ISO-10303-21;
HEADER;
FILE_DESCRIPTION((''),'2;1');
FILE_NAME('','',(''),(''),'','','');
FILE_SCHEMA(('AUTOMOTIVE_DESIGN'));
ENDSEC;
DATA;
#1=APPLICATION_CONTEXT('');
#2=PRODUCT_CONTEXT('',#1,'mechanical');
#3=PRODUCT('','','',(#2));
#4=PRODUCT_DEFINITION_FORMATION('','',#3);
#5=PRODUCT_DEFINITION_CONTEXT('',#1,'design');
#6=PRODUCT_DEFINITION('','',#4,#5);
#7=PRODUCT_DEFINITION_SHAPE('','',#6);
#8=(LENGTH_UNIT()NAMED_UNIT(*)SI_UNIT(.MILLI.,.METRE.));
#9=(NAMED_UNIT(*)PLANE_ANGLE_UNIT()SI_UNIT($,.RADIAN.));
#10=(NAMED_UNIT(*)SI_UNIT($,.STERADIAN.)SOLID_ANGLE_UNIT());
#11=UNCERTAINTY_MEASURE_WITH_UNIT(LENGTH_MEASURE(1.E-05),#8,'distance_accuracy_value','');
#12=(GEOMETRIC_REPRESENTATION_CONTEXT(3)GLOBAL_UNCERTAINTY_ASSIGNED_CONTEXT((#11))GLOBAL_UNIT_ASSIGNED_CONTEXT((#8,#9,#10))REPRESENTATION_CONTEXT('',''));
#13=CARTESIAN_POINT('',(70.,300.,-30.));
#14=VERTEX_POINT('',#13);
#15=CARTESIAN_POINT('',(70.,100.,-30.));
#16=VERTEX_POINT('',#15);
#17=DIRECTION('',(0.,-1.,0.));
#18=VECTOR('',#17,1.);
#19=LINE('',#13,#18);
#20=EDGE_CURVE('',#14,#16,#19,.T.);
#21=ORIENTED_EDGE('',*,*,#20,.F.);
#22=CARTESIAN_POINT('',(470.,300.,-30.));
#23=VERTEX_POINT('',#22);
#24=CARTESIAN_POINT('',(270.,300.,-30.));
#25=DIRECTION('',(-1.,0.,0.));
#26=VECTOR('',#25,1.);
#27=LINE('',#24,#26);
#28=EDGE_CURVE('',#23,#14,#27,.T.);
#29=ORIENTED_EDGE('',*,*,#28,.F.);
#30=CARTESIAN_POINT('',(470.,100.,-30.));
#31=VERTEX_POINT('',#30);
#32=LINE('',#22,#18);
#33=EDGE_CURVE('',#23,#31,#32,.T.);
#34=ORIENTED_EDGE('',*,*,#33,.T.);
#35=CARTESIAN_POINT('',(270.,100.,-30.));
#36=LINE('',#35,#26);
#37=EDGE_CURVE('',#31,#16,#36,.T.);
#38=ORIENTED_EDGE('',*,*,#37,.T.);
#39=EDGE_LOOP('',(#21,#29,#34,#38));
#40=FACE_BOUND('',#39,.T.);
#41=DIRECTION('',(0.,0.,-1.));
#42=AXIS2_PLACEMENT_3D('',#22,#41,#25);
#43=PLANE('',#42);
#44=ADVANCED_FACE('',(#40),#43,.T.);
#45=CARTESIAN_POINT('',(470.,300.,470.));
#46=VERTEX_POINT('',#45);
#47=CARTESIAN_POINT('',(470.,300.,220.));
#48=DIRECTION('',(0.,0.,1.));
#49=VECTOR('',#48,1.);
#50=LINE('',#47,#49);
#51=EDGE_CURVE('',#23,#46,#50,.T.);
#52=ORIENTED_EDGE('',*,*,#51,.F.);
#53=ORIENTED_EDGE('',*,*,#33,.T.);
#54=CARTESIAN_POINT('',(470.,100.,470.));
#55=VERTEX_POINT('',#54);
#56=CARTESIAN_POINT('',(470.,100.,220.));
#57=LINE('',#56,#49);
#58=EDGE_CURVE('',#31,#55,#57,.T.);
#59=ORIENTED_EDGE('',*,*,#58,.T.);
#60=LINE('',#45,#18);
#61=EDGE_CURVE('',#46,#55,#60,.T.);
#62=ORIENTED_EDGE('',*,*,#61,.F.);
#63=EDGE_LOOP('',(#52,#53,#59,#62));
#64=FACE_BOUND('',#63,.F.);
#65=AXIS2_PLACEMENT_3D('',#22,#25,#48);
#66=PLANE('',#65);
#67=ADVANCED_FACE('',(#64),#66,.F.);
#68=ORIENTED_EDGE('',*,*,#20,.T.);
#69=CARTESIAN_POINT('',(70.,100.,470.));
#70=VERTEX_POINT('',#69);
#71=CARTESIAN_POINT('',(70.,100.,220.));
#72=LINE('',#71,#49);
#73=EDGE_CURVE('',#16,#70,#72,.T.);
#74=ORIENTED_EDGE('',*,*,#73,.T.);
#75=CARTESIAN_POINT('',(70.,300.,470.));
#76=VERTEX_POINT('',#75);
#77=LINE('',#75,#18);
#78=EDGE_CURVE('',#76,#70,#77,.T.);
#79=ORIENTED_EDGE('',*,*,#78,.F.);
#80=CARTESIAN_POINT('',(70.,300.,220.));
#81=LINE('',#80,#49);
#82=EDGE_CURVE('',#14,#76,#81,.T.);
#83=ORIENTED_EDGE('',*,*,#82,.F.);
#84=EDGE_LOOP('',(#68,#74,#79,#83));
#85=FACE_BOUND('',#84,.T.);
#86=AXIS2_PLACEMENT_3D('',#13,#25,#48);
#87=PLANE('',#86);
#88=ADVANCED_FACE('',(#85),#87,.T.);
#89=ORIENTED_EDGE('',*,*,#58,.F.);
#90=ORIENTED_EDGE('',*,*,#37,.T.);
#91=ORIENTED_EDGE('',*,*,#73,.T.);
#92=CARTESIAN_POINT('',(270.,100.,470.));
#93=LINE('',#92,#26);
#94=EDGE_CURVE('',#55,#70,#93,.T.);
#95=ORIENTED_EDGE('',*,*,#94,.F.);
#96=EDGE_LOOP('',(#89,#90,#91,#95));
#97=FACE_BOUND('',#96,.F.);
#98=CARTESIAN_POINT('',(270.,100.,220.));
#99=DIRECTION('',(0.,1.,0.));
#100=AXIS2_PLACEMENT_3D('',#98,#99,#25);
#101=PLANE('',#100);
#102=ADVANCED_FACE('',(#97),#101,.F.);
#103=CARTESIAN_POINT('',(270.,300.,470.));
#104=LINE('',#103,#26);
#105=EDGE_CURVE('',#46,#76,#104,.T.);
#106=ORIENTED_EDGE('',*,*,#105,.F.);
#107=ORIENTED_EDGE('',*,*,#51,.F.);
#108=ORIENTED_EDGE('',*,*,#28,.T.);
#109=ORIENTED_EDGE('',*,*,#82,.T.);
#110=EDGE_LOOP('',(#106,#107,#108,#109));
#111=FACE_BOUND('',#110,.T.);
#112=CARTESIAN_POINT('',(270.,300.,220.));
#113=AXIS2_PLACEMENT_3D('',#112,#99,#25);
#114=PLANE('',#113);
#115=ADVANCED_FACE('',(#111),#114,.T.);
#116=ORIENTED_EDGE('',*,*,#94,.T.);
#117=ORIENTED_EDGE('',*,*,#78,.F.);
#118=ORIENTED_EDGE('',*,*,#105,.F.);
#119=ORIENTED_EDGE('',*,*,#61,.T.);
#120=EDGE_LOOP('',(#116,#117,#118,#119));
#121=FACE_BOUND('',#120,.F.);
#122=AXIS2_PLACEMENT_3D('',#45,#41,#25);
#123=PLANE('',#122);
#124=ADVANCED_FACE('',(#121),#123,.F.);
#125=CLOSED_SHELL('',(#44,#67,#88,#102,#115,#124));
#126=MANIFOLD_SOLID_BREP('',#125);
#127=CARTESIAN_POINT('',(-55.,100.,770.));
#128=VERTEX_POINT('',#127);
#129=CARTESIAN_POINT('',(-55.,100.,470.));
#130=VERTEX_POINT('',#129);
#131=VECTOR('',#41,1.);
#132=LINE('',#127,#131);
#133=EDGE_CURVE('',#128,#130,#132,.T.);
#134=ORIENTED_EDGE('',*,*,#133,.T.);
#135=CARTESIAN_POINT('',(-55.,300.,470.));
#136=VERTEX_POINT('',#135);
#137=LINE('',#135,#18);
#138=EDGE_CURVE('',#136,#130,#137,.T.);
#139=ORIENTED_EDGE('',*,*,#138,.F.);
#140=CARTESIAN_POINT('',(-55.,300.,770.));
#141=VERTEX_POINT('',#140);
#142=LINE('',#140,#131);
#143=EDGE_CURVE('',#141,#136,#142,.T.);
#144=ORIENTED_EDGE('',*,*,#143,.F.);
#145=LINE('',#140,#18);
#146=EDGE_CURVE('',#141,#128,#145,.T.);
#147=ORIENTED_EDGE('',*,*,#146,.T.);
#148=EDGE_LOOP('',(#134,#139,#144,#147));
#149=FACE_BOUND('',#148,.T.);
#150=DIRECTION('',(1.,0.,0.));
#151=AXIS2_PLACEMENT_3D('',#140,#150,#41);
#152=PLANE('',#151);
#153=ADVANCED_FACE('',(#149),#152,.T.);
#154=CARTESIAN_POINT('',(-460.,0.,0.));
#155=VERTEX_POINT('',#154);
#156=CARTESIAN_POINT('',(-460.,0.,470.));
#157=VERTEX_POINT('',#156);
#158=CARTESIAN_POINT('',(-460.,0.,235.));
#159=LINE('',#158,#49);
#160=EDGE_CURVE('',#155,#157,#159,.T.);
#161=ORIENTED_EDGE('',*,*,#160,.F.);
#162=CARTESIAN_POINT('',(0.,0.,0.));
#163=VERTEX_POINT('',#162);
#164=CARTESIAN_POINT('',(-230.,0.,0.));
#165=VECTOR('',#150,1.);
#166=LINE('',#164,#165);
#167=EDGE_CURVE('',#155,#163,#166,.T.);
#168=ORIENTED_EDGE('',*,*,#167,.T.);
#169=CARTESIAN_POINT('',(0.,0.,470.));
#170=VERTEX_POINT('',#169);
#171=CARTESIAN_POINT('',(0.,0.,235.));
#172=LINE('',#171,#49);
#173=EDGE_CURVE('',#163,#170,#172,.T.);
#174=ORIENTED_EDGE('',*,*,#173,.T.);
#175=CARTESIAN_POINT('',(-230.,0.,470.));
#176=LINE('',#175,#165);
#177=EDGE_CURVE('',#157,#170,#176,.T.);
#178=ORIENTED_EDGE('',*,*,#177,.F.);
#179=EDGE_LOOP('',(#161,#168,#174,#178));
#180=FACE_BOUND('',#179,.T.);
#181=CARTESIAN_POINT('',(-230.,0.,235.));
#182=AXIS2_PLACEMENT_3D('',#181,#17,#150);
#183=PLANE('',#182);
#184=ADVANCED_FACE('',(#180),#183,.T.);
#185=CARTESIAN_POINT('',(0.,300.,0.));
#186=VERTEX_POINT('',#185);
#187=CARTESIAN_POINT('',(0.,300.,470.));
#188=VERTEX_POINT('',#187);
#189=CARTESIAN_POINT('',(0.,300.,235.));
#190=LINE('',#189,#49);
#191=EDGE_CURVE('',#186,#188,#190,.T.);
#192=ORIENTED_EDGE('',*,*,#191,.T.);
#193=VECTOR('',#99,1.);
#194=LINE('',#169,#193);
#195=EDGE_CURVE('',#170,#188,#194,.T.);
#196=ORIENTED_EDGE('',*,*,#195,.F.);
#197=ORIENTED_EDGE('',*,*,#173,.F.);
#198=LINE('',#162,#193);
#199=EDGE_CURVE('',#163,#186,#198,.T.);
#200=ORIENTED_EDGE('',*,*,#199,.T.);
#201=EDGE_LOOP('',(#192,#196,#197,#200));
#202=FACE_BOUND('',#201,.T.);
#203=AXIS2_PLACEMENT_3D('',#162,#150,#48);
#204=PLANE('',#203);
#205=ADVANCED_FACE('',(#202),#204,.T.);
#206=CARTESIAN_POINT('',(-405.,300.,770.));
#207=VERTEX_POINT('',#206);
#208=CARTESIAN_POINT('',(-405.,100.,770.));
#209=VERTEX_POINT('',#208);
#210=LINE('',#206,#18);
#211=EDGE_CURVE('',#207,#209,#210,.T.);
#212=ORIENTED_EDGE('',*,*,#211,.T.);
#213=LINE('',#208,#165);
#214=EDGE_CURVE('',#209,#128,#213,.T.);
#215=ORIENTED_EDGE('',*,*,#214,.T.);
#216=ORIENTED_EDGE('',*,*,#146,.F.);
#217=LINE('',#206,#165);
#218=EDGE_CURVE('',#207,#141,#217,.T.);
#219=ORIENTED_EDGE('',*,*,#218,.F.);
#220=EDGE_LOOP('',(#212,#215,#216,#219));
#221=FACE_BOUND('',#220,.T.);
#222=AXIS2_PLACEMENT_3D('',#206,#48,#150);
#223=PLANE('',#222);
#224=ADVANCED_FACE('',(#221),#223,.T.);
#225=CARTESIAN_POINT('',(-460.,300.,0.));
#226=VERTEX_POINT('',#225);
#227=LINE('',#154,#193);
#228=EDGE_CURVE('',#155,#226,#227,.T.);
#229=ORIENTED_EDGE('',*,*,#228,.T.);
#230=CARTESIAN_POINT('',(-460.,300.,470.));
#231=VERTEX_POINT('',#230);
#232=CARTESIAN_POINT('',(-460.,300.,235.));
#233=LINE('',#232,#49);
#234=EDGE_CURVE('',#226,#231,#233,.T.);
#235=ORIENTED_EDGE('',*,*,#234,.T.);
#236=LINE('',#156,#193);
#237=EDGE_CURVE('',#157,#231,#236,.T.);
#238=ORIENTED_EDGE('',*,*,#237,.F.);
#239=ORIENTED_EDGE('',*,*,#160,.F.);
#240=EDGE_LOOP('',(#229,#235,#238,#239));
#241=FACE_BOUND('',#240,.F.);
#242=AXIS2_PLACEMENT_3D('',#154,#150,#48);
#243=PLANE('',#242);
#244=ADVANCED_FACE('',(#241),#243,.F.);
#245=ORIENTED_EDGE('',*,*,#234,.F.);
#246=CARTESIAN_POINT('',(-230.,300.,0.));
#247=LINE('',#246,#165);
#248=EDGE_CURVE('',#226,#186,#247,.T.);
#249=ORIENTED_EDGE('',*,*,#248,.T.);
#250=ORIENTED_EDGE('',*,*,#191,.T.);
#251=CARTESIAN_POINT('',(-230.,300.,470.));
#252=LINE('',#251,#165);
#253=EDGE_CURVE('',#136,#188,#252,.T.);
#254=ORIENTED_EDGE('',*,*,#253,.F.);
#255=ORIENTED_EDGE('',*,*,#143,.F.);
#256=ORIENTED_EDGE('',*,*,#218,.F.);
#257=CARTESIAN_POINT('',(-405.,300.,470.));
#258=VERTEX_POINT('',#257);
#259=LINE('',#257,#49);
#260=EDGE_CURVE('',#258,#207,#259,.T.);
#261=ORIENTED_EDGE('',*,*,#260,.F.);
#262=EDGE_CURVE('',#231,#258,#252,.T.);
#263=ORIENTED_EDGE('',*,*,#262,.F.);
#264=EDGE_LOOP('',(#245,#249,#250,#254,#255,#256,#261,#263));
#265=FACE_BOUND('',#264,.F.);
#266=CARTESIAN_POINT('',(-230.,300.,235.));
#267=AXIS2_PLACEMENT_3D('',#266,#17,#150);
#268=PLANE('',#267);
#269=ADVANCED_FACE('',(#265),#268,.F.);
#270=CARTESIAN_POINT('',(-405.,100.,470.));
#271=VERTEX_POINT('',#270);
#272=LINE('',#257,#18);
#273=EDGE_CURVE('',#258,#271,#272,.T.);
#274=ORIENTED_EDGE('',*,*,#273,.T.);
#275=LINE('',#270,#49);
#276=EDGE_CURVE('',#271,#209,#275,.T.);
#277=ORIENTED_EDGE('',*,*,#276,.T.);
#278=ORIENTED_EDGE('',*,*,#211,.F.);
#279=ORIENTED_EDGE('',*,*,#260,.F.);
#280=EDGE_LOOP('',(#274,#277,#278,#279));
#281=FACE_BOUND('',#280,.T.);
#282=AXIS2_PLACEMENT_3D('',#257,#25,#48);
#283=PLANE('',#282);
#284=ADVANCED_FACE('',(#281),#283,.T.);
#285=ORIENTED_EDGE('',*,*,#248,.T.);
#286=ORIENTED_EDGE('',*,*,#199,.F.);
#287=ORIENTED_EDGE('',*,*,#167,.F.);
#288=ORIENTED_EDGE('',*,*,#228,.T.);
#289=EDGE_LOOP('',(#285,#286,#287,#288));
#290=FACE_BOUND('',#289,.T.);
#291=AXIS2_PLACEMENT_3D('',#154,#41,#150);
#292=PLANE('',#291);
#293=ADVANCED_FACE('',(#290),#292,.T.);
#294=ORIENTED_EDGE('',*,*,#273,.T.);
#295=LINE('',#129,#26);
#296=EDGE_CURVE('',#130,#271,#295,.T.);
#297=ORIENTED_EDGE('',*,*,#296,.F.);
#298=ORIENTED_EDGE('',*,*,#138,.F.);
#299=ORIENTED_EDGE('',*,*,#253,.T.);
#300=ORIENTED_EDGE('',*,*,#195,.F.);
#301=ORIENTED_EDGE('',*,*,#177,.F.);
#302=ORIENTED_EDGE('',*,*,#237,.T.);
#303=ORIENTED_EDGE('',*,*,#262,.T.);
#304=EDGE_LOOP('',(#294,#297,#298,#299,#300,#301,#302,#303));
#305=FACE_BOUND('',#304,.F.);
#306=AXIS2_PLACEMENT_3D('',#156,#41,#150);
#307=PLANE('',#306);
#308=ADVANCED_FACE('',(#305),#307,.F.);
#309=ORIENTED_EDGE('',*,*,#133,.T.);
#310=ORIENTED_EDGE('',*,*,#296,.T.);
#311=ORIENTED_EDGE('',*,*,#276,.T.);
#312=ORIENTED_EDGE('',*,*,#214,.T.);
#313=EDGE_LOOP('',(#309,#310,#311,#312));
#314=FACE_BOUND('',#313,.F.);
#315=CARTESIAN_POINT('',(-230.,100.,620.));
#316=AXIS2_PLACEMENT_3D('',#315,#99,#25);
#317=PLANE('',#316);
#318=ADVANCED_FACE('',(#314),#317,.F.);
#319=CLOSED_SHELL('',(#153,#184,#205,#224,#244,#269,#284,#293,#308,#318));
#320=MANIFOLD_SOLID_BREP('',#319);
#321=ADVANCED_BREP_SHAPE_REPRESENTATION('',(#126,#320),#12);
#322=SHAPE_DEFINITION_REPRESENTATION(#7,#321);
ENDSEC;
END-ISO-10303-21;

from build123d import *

# Parameters (mm, degrees)
F0_W     = 460
F0_H     = 470
F1_DEPTH = 300
F2_W     = 400
F2_H     = 500
F3_DEPTH = 200


with BuildPart() as f1:
    # F0 (on Front) → F1 (new body)
    with BuildSketch(Plane.XZ):
        with Locations((-230, 235)):
            Rectangle(F0_W, F0_H)
    extrude(amount=-F1_DEPTH)

    # F2 (on face) → F3 (join)
    with BuildSketch(Plane(origin=(0, 300, 0), x_dir=(-1, 0, 0), z_dir=(0, 1, 0))):
        Polygon((55, 470), (230, 470), (405, 470), (405, 770), (55, 770), align=None)
        with Locations((-270, 220)):
            Rectangle(F2_W, F2_H)
    extrude(amount=-F3_DEPTH)


solid = f1.part
